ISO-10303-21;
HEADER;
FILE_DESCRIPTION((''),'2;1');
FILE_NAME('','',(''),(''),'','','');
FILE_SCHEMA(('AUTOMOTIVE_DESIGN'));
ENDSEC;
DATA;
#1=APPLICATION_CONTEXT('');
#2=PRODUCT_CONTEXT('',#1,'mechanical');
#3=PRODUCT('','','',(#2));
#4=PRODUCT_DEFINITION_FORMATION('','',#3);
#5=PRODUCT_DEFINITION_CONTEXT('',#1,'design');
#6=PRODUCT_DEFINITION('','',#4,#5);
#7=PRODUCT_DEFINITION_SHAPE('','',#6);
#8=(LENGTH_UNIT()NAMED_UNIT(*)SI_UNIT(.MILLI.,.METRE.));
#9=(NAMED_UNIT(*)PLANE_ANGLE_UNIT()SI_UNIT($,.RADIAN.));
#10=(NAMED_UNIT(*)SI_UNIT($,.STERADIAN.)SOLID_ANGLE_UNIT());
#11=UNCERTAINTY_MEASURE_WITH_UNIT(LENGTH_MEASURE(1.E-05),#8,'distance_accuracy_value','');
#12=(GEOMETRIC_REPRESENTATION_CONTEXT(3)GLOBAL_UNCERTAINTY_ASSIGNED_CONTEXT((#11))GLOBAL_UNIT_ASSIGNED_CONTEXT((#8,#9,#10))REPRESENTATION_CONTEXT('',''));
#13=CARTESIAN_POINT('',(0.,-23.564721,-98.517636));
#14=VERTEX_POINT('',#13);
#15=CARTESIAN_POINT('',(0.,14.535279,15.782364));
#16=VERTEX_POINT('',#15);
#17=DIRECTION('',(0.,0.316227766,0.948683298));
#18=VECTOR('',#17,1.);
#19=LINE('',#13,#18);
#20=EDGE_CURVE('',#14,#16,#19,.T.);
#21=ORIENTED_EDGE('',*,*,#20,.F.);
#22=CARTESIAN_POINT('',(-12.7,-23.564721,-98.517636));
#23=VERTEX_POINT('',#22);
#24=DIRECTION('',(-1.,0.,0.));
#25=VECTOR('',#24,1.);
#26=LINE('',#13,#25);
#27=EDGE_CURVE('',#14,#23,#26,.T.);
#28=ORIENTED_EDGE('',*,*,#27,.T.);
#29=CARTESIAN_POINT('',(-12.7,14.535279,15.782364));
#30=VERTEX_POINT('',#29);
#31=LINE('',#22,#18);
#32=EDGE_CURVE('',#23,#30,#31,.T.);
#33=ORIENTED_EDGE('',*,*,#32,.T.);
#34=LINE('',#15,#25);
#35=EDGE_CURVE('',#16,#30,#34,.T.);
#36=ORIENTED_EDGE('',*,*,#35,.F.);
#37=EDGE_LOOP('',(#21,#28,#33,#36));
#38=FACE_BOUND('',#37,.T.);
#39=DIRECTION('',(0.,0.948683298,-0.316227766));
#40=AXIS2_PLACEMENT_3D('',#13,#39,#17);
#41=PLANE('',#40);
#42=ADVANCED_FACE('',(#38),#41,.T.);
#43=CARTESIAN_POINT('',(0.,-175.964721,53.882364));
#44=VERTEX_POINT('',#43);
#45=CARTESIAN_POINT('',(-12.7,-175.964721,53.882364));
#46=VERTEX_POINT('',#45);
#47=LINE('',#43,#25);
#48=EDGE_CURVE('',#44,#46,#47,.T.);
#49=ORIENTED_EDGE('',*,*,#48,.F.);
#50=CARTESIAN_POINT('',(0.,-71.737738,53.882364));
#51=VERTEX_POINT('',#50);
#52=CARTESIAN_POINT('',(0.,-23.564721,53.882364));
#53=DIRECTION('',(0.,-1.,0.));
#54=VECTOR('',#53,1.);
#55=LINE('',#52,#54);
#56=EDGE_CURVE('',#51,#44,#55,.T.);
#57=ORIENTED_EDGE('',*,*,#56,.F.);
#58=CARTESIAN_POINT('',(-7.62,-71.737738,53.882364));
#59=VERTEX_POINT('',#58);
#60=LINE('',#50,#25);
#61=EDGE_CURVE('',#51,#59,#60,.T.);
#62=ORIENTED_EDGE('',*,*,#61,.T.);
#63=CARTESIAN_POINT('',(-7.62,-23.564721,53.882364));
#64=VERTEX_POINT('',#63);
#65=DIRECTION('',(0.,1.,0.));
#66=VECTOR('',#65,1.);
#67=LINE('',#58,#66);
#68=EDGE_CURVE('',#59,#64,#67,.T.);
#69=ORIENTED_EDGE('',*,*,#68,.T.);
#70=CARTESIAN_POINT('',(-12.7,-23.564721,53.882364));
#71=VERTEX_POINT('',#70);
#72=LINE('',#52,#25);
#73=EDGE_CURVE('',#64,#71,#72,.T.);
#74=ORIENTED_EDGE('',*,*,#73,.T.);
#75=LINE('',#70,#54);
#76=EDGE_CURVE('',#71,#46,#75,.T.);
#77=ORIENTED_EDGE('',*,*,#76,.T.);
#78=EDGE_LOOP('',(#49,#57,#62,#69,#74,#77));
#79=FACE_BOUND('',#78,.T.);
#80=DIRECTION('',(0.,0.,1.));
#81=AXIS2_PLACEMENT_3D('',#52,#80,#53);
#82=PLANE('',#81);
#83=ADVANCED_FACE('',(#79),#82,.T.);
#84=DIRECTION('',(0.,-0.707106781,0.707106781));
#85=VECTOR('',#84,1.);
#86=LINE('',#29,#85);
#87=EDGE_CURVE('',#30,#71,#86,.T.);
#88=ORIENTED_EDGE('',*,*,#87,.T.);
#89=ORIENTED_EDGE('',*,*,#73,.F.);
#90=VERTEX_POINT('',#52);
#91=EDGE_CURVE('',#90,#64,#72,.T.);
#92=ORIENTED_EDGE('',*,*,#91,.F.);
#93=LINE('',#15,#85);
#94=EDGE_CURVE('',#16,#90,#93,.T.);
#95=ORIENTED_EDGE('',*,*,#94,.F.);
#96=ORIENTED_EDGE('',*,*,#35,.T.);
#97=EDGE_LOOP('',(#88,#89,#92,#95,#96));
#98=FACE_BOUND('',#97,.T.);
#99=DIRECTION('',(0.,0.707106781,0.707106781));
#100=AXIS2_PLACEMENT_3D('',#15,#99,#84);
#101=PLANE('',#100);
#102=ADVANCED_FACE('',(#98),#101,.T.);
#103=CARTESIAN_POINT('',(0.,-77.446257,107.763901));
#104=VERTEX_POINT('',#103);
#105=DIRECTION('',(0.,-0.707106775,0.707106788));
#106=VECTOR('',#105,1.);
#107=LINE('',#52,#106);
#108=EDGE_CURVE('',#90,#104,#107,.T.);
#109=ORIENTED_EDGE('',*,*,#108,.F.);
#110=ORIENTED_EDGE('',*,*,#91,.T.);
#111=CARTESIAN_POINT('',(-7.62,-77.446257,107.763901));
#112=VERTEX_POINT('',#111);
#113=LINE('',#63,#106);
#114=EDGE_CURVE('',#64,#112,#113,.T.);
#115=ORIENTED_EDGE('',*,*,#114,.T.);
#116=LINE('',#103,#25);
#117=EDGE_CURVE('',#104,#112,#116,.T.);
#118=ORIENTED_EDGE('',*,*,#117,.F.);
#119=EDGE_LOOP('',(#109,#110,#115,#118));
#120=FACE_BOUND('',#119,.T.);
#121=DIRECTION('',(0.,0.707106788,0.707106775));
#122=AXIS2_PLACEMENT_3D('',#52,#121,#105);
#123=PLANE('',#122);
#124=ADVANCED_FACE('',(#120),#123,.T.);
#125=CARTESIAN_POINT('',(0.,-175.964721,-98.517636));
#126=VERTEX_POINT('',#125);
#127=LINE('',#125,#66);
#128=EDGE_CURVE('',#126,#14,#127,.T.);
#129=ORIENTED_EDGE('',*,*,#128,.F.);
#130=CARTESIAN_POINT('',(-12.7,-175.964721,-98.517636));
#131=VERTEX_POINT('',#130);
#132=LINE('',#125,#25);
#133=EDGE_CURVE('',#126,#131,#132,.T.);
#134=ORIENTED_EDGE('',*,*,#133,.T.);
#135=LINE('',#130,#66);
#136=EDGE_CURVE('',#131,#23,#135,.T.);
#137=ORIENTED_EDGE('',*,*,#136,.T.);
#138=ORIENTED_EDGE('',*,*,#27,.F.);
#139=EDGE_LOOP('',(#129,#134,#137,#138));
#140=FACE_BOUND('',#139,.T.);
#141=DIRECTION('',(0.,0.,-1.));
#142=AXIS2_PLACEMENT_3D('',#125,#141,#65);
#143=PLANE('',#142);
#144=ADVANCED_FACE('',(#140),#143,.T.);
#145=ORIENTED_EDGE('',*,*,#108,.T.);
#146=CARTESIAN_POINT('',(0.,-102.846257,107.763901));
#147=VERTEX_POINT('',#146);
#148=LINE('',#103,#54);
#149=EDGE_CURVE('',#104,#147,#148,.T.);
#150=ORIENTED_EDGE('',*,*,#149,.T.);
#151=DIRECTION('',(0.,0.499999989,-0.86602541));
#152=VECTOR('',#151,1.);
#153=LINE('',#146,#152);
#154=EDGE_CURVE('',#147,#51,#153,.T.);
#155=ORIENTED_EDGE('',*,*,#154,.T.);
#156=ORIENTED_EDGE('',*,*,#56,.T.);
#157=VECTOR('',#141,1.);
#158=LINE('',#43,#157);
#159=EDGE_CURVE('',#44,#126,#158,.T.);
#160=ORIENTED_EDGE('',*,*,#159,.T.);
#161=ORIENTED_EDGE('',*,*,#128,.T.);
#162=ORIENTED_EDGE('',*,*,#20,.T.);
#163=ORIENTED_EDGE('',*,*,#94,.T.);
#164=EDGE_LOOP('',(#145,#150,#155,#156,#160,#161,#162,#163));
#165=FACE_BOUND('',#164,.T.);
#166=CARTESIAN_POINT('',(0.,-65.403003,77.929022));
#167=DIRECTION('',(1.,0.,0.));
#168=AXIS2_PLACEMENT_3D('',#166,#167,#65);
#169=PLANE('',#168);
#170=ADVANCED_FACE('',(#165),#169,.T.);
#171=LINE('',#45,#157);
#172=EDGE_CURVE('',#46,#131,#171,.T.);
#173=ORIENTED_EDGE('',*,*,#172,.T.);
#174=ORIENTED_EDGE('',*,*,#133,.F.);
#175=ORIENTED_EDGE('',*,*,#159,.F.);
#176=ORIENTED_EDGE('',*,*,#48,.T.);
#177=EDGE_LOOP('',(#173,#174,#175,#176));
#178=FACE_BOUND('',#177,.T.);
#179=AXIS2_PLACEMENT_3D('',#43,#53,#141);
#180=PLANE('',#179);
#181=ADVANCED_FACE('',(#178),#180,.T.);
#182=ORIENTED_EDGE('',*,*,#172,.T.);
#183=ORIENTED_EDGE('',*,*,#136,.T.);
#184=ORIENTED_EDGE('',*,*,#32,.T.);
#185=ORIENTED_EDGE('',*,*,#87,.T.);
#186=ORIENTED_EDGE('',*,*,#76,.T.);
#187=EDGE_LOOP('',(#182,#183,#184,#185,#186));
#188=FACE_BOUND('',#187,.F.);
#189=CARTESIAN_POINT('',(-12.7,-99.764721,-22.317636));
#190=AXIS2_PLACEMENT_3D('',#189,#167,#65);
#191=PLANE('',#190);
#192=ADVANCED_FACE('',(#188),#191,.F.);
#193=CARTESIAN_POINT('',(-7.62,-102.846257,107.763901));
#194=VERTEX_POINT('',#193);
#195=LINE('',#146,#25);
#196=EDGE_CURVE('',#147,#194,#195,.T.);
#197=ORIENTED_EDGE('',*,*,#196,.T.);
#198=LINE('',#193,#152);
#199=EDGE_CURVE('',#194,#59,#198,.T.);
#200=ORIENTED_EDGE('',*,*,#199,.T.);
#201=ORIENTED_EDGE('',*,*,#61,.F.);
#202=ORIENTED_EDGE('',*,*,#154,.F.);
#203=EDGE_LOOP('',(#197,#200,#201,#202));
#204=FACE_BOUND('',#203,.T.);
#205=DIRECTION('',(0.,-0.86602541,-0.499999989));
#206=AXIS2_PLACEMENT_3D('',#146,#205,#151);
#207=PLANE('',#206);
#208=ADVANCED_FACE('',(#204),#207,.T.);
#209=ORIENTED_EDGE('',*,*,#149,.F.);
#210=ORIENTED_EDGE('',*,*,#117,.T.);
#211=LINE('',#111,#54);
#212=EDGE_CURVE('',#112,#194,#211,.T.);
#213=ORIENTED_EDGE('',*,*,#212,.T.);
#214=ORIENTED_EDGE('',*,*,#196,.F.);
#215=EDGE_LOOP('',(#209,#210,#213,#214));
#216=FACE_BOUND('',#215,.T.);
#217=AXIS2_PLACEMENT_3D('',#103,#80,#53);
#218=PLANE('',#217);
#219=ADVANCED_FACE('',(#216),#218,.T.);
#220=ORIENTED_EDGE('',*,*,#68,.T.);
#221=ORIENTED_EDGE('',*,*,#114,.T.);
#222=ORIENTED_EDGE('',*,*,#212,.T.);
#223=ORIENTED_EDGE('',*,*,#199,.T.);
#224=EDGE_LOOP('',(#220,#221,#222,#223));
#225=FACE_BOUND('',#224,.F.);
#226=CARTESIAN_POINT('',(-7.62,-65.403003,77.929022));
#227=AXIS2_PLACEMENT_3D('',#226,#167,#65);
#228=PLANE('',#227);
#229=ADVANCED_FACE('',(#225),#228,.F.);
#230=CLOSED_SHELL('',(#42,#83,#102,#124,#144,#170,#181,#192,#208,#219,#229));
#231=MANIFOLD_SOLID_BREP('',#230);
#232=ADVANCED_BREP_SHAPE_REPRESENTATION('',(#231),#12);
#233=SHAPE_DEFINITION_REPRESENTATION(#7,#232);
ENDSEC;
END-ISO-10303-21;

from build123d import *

# Parameters (mm, degrees)
F1_DEPTH = 12.7
F2_DEPTH = 7.62


with BuildPart() as f1:
    # F0 (on Right) → F1 (new body)
    with BuildSketch(Plane.YZ):
        Polygon((-23.564721, 15.782364), (-23.564721, 53.882364), (-71.737738, 53.882364), (-175.964721, 53.882364), (-175.964721, -98.517636), (-23.564721, -98.517636), align=None)
        Polygon((14.535279, 15.782364), (-23.564721, 53.882364), (-23.564721, 15.782364), align=None)
        Polygon((14.535279, 15.782364), (-23.564721, 15.782364), (-23.564721, -98.517636), align=None)
    extrude(amount=-F1_DEPTH)

    # F0 (on Right) → F2 (join)
    with BuildSketch(Plane.YZ):
        Polygon((-71.737738, 53.882364), (-23.564721, 53.882364), (-77.446257, 107.763901), (-102.846257, 107.763901), align=None)
    extrude(amount=-F2_DEPTH)


solid = f1.part
